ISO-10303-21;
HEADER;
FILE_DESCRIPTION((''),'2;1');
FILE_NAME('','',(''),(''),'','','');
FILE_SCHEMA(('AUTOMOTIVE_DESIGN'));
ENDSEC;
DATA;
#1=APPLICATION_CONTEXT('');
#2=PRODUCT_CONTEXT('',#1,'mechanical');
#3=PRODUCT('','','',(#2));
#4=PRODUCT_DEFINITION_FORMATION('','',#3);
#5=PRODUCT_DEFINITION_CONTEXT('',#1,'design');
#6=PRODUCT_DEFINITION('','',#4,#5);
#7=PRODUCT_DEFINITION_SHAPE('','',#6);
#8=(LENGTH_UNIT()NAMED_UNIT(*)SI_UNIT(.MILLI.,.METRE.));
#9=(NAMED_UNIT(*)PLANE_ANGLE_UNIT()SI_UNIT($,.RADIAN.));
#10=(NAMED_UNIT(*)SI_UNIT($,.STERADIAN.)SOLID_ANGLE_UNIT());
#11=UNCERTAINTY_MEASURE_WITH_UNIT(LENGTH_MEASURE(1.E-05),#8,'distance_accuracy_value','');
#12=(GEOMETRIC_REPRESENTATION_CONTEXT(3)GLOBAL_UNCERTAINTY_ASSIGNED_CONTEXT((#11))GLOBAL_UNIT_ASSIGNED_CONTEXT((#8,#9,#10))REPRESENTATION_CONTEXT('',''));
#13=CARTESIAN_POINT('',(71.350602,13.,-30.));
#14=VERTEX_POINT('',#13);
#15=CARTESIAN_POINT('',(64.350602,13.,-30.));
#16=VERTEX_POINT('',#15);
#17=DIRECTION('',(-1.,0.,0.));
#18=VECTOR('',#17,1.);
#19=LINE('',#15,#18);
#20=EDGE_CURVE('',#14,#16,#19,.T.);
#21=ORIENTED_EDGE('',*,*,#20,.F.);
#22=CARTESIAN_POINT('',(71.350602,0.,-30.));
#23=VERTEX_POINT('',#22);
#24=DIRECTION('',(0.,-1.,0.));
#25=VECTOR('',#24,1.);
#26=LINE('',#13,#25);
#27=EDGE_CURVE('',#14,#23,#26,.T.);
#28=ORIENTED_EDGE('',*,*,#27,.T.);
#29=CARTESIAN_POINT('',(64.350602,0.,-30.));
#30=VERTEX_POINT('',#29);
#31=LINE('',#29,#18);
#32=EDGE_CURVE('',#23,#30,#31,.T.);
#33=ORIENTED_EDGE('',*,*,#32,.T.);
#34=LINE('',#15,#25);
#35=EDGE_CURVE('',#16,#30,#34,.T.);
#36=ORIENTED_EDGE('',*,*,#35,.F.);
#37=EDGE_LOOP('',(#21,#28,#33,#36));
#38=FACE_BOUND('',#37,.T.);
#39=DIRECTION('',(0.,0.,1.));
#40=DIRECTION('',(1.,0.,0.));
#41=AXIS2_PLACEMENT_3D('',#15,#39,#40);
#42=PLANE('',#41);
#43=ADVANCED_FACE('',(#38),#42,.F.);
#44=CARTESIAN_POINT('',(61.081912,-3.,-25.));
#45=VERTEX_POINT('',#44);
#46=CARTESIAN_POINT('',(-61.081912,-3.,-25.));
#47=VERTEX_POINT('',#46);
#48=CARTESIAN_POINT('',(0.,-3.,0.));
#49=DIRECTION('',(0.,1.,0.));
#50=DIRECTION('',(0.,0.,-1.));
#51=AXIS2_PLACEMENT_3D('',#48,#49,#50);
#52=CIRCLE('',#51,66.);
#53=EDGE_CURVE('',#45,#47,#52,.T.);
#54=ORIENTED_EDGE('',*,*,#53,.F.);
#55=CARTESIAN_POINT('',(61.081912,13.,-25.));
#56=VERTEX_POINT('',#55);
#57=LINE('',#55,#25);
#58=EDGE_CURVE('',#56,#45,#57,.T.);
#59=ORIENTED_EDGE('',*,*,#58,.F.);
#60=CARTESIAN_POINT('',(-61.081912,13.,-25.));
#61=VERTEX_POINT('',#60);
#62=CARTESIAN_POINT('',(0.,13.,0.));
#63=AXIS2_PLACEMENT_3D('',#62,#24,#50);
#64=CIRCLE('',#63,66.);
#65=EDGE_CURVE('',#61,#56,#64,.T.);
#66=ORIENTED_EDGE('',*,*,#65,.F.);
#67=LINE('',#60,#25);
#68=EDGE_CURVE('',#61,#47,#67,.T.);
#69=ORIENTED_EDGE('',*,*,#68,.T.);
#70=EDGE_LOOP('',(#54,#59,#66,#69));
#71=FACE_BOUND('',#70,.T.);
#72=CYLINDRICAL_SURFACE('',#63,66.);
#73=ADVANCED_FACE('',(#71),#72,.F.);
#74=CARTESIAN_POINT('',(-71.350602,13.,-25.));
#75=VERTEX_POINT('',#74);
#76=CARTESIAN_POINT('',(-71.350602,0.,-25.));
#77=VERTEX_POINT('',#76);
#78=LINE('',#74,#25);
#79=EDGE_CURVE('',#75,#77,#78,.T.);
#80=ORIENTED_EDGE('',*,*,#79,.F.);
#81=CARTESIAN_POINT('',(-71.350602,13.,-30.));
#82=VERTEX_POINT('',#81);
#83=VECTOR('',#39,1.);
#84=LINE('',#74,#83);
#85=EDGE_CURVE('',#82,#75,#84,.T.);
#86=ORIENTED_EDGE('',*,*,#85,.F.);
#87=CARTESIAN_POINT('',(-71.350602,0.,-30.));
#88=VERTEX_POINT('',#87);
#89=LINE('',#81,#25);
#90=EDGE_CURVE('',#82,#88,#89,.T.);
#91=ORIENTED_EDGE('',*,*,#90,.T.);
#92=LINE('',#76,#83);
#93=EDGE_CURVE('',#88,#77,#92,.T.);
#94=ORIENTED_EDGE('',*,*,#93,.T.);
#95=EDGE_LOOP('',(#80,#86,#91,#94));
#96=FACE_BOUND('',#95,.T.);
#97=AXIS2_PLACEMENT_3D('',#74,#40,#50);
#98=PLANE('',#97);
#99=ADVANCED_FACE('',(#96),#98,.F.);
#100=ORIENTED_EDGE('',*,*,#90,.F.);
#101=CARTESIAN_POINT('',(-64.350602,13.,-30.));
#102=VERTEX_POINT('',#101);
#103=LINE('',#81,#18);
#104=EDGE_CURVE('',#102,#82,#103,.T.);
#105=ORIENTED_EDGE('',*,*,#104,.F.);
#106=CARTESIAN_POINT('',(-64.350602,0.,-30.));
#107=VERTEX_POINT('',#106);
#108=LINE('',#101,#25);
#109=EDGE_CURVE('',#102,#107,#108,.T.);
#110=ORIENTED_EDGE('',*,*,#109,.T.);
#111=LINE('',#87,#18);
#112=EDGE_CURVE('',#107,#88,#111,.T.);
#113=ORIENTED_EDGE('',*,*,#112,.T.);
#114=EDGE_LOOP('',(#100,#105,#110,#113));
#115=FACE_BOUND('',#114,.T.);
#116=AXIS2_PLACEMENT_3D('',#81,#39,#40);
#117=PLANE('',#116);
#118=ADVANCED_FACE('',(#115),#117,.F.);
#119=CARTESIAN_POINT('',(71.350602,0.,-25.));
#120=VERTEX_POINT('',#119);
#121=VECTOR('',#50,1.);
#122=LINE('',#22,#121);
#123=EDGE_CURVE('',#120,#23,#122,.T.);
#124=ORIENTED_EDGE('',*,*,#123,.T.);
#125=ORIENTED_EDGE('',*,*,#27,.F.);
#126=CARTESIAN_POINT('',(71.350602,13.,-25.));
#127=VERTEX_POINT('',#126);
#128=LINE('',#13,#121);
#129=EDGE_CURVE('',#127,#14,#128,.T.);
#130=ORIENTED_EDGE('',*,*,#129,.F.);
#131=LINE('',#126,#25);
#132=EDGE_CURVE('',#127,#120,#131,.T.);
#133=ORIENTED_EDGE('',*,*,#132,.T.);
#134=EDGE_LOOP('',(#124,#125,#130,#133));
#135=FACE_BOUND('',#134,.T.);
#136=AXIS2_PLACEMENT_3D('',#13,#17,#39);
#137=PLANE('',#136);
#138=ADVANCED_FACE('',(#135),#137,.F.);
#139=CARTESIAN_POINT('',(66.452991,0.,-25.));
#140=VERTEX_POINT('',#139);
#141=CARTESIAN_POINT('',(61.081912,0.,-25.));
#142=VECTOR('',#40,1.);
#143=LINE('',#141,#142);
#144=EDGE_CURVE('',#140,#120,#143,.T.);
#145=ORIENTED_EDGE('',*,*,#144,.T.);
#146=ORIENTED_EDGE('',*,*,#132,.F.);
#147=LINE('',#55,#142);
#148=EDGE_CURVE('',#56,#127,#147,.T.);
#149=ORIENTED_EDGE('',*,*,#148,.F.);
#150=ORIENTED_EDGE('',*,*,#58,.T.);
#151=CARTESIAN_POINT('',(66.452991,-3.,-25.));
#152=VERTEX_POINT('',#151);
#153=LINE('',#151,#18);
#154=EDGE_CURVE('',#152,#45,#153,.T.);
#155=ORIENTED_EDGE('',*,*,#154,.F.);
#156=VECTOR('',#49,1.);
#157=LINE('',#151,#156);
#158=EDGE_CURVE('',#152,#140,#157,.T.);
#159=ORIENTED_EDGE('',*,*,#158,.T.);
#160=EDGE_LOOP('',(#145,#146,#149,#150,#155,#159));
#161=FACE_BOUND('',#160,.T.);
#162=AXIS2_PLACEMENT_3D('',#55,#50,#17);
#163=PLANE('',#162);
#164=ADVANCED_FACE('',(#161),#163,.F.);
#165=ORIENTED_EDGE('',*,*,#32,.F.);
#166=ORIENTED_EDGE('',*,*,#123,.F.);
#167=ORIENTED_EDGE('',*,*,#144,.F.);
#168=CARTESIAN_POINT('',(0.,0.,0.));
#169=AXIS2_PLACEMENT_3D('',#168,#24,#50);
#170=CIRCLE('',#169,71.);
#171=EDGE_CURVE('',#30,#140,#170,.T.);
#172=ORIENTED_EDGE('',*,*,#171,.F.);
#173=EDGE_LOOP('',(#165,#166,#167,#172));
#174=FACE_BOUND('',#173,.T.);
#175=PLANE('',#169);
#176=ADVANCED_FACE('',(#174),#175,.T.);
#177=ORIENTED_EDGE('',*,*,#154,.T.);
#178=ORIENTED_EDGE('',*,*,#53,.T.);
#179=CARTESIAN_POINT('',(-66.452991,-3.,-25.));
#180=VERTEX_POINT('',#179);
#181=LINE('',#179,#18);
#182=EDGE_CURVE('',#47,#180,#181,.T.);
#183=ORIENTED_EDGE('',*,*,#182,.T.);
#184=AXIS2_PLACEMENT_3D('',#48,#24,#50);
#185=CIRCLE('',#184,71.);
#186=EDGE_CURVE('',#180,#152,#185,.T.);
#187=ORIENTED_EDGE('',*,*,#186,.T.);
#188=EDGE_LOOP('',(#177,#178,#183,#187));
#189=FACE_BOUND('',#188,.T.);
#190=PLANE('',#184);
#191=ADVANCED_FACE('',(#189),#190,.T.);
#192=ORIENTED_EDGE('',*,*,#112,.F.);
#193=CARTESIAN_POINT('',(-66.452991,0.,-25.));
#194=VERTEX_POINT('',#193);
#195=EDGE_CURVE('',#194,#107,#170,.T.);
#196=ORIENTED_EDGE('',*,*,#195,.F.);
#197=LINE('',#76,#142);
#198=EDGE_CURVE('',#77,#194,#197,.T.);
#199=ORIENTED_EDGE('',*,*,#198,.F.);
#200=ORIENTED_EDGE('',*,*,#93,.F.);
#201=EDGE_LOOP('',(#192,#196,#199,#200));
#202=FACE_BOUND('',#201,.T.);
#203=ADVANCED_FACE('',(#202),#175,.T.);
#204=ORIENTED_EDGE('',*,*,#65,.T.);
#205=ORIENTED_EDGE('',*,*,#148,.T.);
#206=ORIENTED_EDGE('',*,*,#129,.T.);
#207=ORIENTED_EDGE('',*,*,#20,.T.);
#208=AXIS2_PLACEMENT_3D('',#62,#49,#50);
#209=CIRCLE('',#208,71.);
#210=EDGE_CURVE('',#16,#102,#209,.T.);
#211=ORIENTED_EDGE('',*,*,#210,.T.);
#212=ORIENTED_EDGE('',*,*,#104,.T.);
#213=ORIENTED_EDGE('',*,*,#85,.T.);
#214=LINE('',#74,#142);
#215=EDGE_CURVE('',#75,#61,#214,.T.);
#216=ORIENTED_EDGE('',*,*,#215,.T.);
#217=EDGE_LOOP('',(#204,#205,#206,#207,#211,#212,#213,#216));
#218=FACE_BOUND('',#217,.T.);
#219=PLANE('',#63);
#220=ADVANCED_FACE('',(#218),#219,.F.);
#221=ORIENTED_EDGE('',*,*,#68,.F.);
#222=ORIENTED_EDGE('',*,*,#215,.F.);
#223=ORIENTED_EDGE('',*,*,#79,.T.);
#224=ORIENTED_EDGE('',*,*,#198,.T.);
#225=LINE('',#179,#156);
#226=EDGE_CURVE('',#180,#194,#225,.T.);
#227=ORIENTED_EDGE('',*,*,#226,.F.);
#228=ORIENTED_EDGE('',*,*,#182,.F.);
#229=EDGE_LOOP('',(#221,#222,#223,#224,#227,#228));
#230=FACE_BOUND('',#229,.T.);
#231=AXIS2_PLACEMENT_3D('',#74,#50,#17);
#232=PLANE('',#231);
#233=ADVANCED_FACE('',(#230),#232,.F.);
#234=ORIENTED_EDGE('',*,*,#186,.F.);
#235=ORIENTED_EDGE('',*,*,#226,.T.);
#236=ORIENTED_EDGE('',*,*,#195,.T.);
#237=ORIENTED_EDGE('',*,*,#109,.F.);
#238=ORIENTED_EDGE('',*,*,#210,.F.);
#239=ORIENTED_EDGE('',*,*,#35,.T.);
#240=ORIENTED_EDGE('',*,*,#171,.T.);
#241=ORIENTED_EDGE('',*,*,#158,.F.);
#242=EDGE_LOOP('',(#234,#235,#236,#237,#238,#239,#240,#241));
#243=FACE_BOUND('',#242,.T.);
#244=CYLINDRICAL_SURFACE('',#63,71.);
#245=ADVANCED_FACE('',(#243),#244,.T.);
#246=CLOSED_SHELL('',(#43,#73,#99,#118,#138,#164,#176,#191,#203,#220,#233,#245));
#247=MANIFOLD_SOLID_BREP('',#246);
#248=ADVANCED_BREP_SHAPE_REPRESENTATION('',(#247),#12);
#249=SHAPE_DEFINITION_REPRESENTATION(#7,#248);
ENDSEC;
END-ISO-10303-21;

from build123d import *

# Parameters (mm, degrees)
BOSS_EXTRUDE1_DEPTH = 13
BOSS_EXTRUDE2_DEPTH = 3


with BuildPart() as part:
    # Sketch2 → Boss-Extrude1 (new body)
    with BuildSketch(Plane(origin=(0, 0, 0), x_dir=(1, 0, 0), z_dir=(0, 1, 0))):
        with BuildLine():
            Line((-71.350602173, 25), (-61.081912216, 25))
            ThreePointArc((-61.081912216, 25), (0, 66), (61.081912216, 25))
            Line((61.081912216, 25), (71.350602173, 25))
            Line((71.350602173, 25), (71.350602173, 30))
            Line((71.350602173, 30), (64.350602173, 30))
            ThreePointArc((64.350602173, 30), (0, 71), (-64.350602173, 30))
            Line((-64.350602173, 30), (-71.350602173, 30))
            Line((-71.350602173, 30), (-71.350602173, 25))
        make_face()
    extrude(amount=BOSS_EXTRUDE1_DEPTH)

    # Sketch3 → Boss-Extrude2 (add)
    with BuildSketch(Plane.XZ):
        with BuildLine():
            Line((66.452990903, -25), (61.081912216, -25))
            ThreePointArc((61.081912216, -25), (0, -66), (-61.081912216, -25))
            Line((-61.081912216, -25), (-66.452990903, -25))
            ThreePointArc((-66.452990903, -25), (0, -71), (66.452990903, -25))
        make_face()
    extrude(amount=BOSS_EXTRUDE2_DEPTH)


solid = part.part
